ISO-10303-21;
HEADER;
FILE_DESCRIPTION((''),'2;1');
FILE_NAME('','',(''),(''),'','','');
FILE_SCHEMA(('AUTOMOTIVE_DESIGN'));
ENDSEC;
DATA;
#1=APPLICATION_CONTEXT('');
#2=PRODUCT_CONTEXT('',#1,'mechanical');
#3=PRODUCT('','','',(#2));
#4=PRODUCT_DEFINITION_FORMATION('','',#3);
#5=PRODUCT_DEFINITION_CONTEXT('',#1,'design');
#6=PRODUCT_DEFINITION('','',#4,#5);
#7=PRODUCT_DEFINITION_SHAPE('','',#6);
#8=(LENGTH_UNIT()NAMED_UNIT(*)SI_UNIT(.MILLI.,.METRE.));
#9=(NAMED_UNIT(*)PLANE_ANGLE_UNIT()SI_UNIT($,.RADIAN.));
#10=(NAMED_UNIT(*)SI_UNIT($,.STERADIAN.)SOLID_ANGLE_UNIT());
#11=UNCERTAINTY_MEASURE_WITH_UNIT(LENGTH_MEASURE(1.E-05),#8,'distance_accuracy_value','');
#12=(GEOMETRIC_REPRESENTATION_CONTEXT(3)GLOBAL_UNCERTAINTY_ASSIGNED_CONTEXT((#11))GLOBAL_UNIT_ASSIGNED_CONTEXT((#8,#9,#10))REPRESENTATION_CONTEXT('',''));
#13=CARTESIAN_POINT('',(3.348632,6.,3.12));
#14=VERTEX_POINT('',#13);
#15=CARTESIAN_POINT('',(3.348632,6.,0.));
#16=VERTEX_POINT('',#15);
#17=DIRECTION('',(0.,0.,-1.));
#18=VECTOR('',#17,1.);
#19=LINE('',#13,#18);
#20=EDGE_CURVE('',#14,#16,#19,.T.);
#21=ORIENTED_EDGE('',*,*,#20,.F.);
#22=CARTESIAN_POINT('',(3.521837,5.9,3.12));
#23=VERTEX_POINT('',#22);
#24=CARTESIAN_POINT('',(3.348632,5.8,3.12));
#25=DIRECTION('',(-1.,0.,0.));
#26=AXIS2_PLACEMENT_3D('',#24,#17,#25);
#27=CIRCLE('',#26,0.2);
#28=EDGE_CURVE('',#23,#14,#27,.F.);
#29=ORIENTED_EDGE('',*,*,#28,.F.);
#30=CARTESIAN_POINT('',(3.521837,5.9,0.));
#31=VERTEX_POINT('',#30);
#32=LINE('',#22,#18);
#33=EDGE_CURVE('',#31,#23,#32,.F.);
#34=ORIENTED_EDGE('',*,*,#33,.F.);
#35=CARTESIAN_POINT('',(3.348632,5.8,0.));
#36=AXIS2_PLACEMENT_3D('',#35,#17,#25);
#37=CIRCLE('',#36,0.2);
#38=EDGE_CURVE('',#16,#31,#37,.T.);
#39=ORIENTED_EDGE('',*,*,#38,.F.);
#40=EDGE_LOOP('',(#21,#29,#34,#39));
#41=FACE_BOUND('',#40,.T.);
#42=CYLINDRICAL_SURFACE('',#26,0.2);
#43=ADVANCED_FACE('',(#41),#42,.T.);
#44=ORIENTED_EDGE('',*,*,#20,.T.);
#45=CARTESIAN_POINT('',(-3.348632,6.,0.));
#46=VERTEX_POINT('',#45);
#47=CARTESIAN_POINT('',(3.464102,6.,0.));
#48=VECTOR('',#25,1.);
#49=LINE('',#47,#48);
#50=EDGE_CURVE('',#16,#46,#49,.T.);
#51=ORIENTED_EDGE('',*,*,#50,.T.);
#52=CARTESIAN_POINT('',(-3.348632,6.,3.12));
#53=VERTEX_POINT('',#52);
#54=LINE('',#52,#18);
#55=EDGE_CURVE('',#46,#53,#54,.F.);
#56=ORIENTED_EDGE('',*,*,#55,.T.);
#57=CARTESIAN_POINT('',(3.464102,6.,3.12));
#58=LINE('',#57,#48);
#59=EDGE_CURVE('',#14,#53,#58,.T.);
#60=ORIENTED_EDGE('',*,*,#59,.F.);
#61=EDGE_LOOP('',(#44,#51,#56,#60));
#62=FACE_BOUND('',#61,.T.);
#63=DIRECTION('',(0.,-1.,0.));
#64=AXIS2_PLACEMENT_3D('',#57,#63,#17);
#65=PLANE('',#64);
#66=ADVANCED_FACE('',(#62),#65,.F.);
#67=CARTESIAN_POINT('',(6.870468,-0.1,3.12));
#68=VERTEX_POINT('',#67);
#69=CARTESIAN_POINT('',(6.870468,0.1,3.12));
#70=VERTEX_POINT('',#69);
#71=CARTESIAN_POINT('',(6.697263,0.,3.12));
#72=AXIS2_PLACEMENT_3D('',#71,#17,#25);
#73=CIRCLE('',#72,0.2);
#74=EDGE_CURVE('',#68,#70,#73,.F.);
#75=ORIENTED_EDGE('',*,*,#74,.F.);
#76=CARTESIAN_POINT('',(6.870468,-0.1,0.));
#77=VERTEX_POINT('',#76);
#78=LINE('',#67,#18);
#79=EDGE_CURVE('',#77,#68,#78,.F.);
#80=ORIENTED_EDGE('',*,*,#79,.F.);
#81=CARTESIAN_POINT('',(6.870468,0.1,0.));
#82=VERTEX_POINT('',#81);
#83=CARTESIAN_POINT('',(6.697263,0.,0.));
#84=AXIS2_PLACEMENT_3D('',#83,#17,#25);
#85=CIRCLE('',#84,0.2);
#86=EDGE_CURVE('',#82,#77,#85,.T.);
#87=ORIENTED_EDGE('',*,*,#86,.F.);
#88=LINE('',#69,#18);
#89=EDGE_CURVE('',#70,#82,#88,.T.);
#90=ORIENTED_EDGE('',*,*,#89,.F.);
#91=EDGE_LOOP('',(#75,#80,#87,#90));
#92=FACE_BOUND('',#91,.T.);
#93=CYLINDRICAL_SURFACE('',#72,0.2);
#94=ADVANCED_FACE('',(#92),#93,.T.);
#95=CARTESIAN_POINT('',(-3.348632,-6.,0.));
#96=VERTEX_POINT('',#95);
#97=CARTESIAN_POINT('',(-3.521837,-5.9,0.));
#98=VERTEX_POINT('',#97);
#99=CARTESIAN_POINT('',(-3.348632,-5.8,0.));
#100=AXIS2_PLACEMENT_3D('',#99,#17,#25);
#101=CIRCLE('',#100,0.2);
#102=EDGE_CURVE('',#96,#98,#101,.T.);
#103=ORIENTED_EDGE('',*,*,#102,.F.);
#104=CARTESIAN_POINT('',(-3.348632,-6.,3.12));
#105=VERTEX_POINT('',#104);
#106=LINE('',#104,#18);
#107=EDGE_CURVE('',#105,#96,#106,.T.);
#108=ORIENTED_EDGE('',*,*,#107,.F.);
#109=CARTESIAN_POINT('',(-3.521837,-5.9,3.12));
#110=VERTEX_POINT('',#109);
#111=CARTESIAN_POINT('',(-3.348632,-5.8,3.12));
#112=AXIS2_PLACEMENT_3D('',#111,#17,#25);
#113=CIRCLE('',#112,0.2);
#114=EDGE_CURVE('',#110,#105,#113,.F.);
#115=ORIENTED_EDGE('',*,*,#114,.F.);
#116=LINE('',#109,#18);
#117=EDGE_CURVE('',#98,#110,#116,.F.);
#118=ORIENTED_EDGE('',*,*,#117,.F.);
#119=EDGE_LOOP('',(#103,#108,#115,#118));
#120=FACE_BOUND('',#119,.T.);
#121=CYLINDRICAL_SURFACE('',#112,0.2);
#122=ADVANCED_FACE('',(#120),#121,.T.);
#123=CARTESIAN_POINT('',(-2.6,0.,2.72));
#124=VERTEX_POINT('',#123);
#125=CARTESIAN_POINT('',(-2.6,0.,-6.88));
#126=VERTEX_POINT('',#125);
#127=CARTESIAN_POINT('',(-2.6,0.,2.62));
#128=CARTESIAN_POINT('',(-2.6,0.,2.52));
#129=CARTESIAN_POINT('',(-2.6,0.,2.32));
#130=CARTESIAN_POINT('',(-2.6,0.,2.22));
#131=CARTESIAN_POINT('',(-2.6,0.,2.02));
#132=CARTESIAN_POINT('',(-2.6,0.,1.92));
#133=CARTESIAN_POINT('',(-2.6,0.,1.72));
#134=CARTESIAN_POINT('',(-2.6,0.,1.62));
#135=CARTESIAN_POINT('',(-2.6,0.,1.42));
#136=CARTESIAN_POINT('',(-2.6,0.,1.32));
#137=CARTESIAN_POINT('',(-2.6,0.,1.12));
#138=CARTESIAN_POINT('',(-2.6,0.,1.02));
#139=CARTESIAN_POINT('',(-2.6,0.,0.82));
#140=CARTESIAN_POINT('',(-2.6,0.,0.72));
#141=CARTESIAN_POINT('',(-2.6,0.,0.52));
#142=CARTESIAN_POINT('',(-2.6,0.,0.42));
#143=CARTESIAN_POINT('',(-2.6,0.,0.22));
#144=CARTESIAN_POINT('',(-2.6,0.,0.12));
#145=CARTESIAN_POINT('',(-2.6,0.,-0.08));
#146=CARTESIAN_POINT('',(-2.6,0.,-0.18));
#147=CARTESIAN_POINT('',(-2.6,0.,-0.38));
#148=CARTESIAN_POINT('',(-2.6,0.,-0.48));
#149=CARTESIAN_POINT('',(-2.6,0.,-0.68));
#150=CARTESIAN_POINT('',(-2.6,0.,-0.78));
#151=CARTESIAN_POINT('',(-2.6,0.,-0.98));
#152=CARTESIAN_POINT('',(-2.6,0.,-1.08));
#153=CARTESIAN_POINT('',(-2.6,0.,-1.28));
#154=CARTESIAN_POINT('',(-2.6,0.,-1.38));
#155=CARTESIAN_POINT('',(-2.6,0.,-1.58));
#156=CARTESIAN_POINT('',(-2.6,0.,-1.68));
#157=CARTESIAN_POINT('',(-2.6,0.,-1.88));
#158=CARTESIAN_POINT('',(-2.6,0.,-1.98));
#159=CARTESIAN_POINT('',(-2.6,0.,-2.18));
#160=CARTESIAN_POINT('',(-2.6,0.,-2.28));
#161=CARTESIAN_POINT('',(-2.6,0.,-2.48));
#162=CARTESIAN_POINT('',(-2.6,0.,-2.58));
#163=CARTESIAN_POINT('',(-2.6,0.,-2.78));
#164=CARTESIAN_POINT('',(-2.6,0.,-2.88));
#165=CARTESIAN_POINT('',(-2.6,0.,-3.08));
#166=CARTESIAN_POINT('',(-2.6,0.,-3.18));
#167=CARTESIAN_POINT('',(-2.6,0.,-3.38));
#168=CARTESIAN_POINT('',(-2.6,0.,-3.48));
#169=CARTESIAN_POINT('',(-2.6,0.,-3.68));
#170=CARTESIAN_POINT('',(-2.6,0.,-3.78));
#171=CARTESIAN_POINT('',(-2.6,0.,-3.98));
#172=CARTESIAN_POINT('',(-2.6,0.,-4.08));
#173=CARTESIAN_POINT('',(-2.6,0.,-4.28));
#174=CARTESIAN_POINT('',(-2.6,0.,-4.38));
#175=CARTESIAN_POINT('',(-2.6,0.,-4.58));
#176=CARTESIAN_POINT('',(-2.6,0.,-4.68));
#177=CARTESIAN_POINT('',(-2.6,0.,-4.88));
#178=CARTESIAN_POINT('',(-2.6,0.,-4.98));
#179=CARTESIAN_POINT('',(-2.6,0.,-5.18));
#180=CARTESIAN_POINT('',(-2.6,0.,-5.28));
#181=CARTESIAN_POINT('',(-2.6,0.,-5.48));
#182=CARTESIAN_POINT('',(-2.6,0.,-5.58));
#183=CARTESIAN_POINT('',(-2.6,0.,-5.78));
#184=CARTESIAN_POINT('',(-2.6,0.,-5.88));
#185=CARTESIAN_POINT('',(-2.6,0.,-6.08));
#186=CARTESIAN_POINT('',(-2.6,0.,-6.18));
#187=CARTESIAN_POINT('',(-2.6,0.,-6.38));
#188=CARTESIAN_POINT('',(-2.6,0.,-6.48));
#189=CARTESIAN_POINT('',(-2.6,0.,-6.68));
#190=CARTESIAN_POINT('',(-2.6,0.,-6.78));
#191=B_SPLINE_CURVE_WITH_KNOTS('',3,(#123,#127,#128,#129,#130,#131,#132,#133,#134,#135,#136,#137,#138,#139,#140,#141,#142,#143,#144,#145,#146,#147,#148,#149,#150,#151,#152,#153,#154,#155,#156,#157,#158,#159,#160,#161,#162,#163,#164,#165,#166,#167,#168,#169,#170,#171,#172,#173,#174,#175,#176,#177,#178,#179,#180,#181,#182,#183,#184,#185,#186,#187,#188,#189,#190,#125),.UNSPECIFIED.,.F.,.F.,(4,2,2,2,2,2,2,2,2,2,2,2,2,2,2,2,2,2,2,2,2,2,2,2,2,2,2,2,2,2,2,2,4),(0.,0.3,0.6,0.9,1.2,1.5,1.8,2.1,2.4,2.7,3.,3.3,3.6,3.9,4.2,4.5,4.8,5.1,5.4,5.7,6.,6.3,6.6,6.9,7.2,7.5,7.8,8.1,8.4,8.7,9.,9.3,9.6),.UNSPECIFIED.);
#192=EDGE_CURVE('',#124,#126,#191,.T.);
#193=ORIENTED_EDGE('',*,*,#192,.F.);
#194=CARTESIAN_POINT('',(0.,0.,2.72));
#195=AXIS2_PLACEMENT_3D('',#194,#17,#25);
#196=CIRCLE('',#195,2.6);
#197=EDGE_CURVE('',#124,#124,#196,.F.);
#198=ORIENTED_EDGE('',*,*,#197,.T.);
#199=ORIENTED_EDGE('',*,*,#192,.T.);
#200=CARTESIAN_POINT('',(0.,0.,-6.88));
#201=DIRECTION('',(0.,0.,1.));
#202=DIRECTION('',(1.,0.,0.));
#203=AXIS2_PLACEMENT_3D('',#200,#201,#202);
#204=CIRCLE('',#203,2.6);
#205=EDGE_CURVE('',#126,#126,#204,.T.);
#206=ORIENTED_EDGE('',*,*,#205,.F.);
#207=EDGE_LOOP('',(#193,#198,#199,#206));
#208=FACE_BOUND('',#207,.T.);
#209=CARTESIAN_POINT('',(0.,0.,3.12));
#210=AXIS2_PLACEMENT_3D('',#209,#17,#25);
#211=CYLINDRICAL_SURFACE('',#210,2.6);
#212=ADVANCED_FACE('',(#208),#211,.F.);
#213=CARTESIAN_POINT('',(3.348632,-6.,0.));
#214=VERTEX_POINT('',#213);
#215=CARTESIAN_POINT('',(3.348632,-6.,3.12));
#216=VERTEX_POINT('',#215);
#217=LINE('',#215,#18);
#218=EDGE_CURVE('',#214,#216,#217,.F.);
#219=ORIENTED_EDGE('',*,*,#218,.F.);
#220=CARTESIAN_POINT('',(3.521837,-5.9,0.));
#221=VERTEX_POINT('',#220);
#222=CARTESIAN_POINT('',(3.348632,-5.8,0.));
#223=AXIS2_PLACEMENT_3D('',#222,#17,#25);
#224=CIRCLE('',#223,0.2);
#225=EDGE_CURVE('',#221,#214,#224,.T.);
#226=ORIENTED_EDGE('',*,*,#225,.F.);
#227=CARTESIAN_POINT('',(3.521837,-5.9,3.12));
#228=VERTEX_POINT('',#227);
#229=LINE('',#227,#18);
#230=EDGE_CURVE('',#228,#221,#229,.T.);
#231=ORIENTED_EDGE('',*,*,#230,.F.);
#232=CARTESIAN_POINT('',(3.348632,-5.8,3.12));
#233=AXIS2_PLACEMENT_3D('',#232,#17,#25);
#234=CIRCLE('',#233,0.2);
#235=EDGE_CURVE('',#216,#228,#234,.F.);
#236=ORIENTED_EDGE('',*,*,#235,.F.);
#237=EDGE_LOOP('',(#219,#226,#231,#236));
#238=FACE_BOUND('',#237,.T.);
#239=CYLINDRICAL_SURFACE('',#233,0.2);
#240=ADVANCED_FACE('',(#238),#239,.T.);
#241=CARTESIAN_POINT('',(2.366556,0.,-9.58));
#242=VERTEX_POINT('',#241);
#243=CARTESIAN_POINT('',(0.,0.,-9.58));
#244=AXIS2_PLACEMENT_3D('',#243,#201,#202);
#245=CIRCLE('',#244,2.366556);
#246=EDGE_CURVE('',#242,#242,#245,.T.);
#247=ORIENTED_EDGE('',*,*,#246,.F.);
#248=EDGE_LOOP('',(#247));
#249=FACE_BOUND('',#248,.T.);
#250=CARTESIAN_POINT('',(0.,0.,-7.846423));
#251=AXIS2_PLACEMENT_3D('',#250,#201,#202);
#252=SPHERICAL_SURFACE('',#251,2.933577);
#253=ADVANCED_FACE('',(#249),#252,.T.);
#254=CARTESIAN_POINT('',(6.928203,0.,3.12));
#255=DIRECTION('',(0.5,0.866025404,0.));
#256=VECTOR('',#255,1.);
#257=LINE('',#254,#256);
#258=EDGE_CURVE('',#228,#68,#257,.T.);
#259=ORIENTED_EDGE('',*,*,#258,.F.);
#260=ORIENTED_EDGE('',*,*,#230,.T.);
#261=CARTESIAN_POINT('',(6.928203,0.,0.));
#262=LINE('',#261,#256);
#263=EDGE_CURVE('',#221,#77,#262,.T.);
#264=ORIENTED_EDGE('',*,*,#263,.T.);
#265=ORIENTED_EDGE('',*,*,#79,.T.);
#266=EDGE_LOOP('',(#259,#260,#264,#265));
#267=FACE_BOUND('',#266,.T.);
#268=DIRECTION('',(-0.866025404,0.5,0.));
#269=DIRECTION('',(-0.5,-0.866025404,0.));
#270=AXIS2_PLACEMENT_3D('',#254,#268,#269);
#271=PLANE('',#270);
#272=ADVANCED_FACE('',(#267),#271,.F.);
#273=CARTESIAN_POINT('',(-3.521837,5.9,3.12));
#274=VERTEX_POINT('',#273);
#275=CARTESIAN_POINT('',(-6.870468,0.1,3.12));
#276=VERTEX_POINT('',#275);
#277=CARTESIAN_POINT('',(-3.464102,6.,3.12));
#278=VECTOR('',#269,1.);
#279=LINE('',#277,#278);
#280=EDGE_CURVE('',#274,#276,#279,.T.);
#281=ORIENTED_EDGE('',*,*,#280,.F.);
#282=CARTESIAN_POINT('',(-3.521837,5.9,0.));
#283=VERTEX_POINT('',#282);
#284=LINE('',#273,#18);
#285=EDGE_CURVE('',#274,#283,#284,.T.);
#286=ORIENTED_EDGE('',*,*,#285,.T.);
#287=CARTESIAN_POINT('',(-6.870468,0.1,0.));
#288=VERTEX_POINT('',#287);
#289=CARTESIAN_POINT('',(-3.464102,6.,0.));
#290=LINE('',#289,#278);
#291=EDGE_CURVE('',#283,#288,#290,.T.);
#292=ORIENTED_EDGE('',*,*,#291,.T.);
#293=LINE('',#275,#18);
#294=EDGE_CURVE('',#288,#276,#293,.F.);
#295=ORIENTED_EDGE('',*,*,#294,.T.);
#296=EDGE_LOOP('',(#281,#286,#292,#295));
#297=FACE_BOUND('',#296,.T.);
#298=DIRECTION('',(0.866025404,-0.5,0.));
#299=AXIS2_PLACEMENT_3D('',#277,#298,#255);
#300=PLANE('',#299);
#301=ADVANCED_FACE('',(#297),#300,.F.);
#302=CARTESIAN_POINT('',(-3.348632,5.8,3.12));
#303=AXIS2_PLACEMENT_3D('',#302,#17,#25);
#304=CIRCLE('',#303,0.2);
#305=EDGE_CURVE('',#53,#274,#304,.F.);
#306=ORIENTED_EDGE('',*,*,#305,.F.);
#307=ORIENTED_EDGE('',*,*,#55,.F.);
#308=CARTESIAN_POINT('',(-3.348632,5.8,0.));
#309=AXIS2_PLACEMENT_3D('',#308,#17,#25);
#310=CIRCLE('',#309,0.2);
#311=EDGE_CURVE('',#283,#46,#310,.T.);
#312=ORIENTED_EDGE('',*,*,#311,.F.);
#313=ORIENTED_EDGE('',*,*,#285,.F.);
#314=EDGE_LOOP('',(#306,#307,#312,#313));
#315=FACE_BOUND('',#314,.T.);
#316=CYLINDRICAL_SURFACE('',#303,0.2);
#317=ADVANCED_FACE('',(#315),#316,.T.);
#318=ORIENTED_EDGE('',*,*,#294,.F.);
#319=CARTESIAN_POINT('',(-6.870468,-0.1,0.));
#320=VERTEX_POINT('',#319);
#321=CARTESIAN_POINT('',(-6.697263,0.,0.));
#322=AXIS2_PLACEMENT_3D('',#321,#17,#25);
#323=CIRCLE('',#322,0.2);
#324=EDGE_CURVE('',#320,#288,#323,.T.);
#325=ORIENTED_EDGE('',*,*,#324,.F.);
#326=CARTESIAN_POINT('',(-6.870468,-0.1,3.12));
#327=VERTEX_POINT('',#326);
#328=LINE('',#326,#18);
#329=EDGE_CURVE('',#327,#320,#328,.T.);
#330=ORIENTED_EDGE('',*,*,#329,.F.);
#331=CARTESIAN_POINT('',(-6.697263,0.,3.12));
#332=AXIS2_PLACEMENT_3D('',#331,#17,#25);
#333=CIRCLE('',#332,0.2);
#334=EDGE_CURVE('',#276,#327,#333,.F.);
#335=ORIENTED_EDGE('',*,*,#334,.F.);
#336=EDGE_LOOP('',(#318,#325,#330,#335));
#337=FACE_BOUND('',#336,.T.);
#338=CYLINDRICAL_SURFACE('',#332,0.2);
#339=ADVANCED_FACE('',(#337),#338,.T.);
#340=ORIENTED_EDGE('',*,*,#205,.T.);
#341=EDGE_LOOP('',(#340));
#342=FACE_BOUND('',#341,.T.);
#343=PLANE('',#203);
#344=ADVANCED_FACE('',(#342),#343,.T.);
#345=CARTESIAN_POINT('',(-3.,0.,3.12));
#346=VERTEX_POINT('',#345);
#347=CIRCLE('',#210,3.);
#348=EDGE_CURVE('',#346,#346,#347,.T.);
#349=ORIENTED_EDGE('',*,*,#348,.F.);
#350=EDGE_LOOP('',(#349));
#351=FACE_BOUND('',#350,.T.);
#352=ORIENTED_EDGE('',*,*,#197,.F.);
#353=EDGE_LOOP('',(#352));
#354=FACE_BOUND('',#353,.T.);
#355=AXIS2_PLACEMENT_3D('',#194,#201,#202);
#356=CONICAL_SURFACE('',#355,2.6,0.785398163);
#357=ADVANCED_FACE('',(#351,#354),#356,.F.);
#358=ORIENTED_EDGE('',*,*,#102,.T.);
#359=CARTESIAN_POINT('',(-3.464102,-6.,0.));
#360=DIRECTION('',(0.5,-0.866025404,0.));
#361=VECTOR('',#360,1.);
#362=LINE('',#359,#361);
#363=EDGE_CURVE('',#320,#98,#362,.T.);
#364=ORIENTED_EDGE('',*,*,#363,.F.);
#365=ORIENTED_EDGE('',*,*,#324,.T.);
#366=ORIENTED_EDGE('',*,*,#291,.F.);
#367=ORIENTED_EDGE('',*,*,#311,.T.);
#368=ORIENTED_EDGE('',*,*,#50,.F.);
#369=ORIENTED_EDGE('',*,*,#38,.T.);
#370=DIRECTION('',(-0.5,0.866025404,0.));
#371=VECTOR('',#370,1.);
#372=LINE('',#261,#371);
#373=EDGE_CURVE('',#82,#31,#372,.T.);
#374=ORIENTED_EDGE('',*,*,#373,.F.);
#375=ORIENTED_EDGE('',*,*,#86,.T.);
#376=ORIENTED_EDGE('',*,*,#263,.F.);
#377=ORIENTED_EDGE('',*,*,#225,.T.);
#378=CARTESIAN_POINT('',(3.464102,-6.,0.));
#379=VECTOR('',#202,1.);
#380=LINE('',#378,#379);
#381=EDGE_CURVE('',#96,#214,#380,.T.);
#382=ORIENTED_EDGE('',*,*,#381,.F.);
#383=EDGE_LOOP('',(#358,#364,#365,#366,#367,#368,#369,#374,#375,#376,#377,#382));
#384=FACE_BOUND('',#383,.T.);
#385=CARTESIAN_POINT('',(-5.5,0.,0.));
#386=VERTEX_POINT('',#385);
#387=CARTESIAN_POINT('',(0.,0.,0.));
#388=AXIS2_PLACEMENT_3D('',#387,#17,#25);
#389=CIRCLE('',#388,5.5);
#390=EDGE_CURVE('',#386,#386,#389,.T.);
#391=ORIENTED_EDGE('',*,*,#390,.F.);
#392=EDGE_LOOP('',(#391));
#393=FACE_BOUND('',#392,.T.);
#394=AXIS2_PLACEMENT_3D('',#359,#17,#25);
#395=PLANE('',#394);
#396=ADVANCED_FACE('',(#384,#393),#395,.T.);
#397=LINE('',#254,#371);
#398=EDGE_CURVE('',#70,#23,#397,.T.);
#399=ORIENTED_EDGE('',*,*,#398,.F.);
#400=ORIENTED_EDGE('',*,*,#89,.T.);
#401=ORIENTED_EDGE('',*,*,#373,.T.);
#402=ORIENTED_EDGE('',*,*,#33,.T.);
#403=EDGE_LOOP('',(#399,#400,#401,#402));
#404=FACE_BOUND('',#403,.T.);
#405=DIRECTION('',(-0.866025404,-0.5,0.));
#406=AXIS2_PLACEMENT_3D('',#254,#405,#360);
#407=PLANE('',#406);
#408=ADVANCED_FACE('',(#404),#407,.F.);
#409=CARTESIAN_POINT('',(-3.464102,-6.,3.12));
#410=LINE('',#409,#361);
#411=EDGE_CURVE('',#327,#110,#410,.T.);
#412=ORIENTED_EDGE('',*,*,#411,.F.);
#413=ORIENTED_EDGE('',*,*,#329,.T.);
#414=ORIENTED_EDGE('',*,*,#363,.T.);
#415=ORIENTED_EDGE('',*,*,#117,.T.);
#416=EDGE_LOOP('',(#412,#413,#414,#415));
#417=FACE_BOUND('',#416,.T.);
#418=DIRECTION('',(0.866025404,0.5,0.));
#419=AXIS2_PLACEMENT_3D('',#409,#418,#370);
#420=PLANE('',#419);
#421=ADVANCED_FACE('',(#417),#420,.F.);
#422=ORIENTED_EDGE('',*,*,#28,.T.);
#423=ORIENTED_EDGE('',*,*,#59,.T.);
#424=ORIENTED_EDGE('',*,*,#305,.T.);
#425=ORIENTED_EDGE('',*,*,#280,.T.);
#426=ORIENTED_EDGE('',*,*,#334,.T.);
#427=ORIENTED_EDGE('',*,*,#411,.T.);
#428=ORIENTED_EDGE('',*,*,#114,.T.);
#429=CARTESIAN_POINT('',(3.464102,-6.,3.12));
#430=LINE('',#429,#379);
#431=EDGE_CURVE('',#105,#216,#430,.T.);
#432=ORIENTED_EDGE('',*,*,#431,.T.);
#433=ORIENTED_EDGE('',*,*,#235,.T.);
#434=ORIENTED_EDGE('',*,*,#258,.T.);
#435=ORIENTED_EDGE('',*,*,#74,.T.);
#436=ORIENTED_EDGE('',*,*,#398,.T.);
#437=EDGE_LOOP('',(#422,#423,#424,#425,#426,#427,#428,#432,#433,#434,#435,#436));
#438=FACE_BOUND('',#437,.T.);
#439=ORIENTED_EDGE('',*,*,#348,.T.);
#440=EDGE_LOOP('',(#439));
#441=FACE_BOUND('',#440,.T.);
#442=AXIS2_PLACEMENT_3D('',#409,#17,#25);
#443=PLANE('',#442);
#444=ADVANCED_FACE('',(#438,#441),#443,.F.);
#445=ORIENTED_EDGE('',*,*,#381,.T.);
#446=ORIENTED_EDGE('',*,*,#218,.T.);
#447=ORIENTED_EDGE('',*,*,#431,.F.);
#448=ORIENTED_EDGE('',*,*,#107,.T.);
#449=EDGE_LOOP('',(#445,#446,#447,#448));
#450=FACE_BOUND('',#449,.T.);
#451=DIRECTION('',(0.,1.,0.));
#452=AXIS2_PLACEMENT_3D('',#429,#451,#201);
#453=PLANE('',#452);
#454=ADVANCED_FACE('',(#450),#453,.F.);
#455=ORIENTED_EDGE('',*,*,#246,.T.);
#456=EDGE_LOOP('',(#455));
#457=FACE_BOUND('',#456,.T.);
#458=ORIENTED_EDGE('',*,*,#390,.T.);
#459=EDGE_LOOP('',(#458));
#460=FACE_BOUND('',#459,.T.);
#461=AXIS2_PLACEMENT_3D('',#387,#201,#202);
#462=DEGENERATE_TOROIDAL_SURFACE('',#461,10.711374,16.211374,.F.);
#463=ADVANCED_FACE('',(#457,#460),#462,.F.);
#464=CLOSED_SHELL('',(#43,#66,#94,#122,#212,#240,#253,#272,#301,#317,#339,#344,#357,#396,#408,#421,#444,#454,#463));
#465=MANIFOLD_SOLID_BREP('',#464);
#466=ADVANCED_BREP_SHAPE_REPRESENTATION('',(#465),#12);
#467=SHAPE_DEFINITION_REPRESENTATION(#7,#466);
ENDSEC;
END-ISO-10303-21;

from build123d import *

# Parameters (mm, degrees)
ESQUISSE2_R      = 2.6
EXTRUSION1_DEPTH = 3.12
EXTRUSION2_START = -10
ESQUISSE4_R      = 2.6
EXTRUSION2_DEPTH = 10
CONG_1_R         = 0.2
CHANFREIN1_SIZE  = 0.4


with BuildPart() as part:
    # Esquisse2 → Extrusion1 (new body)
    with BuildSketch(Plane.XY):
        Polygon((6.92820323, 0), (3.464101615, 6), (-3.464101615, 6), (-6.92820323, 0), (-3.464101615, -6), (3.464101615, -6), align=None)
        with Locations(Location((0, 0, 0), (0, 0, 180))):
            Circle(ESQUISSE2_R, mode=Mode.SUBTRACT)
    extrude(amount=EXTRUSION1_DEPTH)

    # Esquisse3 → Révolution1 (revolve)
    with BuildSketch(Plane(origin=(0, 0, 0), x_dir=(1, 0, 0), z_dir=(0, 1, 0))):
        with BuildLine():
            Line((5.5, 0), (0, 0))
            Line((0, 0), (0, 10.78))
            ThreePointArc((0, 10.78), (1.326705119, 10.462857182), (2.366555702, 9.58))
            ThreePointArc((2.366555702, 9.58), (4.696738417, 5.039714108), (5.5, 0))
        make_face()
    revolve(axis=Axis((0, 0, 0), (0, 0, -1)))

    # Esquisse4 → Extrusion2 (cut)
    with BuildSketch(Plane.XY.offset(3.12).offset(EXTRUSION2_START)):
        with Locations(Location((0, 0, 0), (0, 0, 180))):
            Circle(ESQUISSE4_R)
    extrude(amount=EXTRUSION2_DEPTH, mode=Mode.SUBTRACT)

    # Congé1
    cong_1_edges = [part.edges().sort_by_distance(p)[0] for p in [
        (-3.464101615, -6, 1.56),
        (-6.92820323, 0, 1.56),
        (-3.464101615, 6, 1.56),
        (3.464101615, 6, 1.56),
        (6.92820323, 0, 1.56),
        (3.464101615, -6, 1.56),
    ]]
    fillet(cong_1_edges, radius=CONG_1_R)

    # Chanfrein1
    chanfrein1_edges = [part.edges().sort_by_distance(p)[0] for p in [
        (2.6, 0, 3.12),
    ]]
    chamfer(chanfrein1_edges, length=CHANFREIN1_SIZE)


solid = part.part
